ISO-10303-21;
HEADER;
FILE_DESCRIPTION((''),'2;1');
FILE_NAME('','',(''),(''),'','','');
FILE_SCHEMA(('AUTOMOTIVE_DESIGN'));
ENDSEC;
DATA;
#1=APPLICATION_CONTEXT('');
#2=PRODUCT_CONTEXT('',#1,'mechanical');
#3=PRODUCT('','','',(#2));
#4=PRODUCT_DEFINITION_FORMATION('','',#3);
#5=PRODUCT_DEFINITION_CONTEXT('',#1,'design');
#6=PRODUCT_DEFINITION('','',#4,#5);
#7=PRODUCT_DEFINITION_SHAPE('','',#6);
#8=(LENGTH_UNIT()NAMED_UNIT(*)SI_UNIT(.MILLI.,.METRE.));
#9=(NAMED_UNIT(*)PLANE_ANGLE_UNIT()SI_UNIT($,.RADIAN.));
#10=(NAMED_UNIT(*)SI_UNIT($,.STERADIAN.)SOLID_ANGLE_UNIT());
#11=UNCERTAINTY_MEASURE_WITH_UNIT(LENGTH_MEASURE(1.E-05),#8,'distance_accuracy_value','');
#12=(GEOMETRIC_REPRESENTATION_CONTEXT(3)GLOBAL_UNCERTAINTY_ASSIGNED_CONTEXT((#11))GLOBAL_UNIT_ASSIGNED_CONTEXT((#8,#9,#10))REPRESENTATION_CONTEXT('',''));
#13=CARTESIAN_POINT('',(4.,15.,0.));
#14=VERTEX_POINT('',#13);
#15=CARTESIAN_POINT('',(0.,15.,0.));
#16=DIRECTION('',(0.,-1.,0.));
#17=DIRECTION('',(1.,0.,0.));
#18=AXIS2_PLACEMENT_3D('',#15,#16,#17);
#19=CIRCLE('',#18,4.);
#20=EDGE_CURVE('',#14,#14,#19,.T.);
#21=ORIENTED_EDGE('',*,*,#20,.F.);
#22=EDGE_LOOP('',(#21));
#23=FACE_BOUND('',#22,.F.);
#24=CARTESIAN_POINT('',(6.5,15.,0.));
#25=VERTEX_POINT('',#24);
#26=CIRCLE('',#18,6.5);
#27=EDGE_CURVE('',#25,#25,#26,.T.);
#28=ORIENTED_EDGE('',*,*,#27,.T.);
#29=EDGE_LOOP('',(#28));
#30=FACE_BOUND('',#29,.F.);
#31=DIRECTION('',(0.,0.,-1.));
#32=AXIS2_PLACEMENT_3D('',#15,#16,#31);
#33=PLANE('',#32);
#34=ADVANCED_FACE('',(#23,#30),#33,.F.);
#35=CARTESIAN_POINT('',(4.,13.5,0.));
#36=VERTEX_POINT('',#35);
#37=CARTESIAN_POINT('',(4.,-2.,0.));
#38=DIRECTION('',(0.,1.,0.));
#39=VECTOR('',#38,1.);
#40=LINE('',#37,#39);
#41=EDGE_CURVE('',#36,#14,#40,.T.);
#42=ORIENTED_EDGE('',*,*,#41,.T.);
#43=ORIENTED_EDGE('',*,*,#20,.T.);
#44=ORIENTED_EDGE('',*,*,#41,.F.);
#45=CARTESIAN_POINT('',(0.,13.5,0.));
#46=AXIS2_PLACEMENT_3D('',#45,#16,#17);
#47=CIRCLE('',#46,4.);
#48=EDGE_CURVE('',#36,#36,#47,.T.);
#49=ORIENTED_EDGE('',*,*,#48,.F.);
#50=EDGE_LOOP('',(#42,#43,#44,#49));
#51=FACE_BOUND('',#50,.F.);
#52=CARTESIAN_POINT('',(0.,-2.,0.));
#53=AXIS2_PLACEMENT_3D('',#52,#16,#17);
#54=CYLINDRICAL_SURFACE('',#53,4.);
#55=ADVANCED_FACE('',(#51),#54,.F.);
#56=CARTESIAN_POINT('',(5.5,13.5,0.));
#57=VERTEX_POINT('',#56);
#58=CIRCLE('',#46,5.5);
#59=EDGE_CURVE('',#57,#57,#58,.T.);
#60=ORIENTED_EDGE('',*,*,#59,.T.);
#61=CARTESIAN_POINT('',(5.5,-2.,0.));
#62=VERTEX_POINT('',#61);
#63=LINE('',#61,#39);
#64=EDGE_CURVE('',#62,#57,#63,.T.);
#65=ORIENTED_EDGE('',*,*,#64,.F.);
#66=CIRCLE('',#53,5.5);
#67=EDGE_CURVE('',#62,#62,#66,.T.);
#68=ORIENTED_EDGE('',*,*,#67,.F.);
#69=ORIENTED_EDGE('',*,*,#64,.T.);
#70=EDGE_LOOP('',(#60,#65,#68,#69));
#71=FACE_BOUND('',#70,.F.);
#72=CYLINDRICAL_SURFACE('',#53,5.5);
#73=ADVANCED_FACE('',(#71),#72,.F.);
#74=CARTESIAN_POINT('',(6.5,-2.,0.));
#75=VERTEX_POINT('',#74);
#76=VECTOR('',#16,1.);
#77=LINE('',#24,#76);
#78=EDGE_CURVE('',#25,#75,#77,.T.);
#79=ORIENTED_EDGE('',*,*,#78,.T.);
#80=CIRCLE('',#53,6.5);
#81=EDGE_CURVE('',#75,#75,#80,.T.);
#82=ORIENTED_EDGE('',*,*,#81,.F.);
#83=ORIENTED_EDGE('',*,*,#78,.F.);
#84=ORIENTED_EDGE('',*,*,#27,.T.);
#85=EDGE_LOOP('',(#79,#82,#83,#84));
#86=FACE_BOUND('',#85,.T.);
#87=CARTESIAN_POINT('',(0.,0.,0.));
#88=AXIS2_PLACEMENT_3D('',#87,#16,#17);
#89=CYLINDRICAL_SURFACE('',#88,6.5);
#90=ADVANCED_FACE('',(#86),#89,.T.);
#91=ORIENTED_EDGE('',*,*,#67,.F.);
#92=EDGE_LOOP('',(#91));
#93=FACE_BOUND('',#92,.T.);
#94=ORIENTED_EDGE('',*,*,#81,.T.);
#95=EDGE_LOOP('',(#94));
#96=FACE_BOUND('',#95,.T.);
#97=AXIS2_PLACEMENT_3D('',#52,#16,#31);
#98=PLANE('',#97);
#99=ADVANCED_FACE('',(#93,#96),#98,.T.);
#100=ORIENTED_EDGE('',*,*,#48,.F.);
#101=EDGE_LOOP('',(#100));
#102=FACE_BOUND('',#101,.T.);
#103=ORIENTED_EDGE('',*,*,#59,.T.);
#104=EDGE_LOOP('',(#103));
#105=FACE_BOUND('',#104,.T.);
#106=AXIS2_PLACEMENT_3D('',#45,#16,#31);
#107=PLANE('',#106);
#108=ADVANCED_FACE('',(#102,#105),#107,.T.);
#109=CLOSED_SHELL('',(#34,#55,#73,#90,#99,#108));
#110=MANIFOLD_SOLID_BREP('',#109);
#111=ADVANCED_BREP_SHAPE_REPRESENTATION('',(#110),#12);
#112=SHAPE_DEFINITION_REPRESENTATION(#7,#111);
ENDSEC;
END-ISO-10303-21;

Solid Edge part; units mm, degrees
sketch "Sketch1" plane through (0, 0, 0) normal (0, -1, 0) x (1, 0, 0)
  circle A0 centre (0, 0) radius 6.5
extrude "Protrusion1" add sketch "Sketch1" against normal blind 15
sketch "Sketch2" plane through (0, 0, 0) normal (0, -1, 0) x (1, 0, 0)
  circle A0 centre (0, 0) radius 6.5
extrude "holder" add sketch "Sketch2" along normal blind 2
sketch "Sketch3" plane through (0, -2, 0) normal (0, -1, 0) x (1, 0, 0)
  circle A0 centre (0, 0) radius 4
extrude "Cutout1" cut sketch "Sketch3" against normal through all
sketch "Sketch4" plane through (0, -2, 0) normal (0, -1, 0) x (1, 0, 0)
  circle A0 centre (0, 0) radius 5.5
extrude "Cutout2" cut sketch "Sketch4" against normal blind 15.5
